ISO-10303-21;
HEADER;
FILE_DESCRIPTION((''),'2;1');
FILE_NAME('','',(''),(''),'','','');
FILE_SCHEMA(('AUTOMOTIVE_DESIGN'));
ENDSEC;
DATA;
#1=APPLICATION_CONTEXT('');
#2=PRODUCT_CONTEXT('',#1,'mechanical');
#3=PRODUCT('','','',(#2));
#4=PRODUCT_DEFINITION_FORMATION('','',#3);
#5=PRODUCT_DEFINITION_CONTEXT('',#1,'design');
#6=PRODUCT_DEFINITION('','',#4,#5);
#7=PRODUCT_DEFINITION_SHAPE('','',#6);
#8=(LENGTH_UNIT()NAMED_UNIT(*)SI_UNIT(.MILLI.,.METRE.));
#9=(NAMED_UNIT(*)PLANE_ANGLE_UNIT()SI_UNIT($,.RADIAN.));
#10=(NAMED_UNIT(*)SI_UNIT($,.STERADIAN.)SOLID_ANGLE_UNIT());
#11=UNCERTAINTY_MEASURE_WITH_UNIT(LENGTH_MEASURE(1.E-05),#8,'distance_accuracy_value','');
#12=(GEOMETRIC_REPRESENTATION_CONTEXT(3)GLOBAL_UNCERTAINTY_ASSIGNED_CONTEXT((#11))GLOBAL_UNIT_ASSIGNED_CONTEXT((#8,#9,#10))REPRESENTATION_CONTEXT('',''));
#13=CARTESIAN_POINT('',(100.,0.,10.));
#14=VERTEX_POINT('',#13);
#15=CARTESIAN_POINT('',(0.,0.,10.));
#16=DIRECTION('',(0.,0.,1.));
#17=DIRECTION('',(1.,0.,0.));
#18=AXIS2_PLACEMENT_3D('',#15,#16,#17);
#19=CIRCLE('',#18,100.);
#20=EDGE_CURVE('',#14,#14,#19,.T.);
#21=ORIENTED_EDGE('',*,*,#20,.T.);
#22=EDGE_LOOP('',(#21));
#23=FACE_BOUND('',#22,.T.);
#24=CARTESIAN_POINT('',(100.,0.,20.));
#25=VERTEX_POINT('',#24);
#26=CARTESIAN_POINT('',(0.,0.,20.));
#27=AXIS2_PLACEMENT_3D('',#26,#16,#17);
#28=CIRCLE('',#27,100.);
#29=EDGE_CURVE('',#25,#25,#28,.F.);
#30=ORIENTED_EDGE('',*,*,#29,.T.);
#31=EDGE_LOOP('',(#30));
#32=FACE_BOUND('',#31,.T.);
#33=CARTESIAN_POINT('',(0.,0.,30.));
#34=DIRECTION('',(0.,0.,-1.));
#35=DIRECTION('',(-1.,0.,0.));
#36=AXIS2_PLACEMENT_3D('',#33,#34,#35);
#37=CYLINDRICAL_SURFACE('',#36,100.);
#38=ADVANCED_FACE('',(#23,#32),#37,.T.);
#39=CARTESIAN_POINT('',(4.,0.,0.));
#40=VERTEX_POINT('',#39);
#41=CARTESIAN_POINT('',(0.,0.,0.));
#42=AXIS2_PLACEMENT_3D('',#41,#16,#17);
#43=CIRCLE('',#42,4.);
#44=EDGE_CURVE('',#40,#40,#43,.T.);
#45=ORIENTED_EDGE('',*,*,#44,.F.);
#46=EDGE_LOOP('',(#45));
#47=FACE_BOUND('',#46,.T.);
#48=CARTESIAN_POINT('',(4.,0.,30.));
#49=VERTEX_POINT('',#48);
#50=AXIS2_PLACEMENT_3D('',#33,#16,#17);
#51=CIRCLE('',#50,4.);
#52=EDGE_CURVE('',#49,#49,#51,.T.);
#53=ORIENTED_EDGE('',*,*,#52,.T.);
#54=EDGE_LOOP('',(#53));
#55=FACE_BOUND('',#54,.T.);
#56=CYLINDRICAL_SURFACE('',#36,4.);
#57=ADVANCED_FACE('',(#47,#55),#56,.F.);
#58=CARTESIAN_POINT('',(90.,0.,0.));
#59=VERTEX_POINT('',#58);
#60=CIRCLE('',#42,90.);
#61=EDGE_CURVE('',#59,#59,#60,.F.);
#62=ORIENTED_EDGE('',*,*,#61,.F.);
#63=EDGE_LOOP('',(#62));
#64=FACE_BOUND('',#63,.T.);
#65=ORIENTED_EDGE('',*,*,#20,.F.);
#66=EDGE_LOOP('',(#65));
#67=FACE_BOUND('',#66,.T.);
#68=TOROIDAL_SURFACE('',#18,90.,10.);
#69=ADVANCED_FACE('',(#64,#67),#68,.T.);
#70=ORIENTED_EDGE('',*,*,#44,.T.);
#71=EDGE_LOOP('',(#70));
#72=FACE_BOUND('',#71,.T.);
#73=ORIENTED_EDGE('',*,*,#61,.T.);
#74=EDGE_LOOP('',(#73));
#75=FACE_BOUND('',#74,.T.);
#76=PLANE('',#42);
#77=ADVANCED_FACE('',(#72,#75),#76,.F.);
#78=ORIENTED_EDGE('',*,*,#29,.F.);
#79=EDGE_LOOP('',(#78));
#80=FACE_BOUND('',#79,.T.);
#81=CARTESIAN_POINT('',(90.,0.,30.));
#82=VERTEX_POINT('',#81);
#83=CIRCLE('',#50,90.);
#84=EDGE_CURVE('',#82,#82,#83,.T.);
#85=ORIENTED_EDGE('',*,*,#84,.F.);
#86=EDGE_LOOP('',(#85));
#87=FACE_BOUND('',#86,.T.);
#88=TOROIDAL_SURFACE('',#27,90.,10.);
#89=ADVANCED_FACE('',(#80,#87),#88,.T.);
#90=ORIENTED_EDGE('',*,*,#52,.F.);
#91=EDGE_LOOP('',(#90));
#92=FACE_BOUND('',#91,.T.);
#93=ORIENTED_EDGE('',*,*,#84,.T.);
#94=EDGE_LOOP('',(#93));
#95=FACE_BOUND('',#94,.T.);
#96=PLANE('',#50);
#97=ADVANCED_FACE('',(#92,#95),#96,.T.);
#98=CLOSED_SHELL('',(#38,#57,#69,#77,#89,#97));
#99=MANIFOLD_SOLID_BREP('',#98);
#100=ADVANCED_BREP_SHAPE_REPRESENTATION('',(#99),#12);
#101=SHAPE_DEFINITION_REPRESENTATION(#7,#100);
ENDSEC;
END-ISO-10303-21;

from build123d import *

# Parameters (mm, degrees)
CROQUIS1_R              = 100
CROQUIS1_R_2            = 4
SALIENTE_EXTRUIR1_DEPTH = 30
REDONDEO1_R             = 10
REDONDEO2_R             = 10


with BuildPart() as part:
    # Croquis1 → Saliente-Extruir1 (new body)
    with BuildSketch(Plane.XY):
        Circle(CROQUIS1_R)
        Circle(CROQUIS1_R_2, mode=Mode.SUBTRACT)
    extrude(amount=SALIENTE_EXTRUIR1_DEPTH)

    # Redondeo1
    redondeo1_edges = [part.edges().sort_by_distance(p)[0] for p in [
        (-100, 0, 30),
    ]]
    fillet(redondeo1_edges, radius=REDONDEO1_R)

    # Redondeo2
    redondeo2_edges = [part.edges().sort_by_distance(p)[0] for p in [
        (-100, 0, 0),
    ]]
    fillet(redondeo2_edges, radius=REDONDEO2_R)


solid = part.part
